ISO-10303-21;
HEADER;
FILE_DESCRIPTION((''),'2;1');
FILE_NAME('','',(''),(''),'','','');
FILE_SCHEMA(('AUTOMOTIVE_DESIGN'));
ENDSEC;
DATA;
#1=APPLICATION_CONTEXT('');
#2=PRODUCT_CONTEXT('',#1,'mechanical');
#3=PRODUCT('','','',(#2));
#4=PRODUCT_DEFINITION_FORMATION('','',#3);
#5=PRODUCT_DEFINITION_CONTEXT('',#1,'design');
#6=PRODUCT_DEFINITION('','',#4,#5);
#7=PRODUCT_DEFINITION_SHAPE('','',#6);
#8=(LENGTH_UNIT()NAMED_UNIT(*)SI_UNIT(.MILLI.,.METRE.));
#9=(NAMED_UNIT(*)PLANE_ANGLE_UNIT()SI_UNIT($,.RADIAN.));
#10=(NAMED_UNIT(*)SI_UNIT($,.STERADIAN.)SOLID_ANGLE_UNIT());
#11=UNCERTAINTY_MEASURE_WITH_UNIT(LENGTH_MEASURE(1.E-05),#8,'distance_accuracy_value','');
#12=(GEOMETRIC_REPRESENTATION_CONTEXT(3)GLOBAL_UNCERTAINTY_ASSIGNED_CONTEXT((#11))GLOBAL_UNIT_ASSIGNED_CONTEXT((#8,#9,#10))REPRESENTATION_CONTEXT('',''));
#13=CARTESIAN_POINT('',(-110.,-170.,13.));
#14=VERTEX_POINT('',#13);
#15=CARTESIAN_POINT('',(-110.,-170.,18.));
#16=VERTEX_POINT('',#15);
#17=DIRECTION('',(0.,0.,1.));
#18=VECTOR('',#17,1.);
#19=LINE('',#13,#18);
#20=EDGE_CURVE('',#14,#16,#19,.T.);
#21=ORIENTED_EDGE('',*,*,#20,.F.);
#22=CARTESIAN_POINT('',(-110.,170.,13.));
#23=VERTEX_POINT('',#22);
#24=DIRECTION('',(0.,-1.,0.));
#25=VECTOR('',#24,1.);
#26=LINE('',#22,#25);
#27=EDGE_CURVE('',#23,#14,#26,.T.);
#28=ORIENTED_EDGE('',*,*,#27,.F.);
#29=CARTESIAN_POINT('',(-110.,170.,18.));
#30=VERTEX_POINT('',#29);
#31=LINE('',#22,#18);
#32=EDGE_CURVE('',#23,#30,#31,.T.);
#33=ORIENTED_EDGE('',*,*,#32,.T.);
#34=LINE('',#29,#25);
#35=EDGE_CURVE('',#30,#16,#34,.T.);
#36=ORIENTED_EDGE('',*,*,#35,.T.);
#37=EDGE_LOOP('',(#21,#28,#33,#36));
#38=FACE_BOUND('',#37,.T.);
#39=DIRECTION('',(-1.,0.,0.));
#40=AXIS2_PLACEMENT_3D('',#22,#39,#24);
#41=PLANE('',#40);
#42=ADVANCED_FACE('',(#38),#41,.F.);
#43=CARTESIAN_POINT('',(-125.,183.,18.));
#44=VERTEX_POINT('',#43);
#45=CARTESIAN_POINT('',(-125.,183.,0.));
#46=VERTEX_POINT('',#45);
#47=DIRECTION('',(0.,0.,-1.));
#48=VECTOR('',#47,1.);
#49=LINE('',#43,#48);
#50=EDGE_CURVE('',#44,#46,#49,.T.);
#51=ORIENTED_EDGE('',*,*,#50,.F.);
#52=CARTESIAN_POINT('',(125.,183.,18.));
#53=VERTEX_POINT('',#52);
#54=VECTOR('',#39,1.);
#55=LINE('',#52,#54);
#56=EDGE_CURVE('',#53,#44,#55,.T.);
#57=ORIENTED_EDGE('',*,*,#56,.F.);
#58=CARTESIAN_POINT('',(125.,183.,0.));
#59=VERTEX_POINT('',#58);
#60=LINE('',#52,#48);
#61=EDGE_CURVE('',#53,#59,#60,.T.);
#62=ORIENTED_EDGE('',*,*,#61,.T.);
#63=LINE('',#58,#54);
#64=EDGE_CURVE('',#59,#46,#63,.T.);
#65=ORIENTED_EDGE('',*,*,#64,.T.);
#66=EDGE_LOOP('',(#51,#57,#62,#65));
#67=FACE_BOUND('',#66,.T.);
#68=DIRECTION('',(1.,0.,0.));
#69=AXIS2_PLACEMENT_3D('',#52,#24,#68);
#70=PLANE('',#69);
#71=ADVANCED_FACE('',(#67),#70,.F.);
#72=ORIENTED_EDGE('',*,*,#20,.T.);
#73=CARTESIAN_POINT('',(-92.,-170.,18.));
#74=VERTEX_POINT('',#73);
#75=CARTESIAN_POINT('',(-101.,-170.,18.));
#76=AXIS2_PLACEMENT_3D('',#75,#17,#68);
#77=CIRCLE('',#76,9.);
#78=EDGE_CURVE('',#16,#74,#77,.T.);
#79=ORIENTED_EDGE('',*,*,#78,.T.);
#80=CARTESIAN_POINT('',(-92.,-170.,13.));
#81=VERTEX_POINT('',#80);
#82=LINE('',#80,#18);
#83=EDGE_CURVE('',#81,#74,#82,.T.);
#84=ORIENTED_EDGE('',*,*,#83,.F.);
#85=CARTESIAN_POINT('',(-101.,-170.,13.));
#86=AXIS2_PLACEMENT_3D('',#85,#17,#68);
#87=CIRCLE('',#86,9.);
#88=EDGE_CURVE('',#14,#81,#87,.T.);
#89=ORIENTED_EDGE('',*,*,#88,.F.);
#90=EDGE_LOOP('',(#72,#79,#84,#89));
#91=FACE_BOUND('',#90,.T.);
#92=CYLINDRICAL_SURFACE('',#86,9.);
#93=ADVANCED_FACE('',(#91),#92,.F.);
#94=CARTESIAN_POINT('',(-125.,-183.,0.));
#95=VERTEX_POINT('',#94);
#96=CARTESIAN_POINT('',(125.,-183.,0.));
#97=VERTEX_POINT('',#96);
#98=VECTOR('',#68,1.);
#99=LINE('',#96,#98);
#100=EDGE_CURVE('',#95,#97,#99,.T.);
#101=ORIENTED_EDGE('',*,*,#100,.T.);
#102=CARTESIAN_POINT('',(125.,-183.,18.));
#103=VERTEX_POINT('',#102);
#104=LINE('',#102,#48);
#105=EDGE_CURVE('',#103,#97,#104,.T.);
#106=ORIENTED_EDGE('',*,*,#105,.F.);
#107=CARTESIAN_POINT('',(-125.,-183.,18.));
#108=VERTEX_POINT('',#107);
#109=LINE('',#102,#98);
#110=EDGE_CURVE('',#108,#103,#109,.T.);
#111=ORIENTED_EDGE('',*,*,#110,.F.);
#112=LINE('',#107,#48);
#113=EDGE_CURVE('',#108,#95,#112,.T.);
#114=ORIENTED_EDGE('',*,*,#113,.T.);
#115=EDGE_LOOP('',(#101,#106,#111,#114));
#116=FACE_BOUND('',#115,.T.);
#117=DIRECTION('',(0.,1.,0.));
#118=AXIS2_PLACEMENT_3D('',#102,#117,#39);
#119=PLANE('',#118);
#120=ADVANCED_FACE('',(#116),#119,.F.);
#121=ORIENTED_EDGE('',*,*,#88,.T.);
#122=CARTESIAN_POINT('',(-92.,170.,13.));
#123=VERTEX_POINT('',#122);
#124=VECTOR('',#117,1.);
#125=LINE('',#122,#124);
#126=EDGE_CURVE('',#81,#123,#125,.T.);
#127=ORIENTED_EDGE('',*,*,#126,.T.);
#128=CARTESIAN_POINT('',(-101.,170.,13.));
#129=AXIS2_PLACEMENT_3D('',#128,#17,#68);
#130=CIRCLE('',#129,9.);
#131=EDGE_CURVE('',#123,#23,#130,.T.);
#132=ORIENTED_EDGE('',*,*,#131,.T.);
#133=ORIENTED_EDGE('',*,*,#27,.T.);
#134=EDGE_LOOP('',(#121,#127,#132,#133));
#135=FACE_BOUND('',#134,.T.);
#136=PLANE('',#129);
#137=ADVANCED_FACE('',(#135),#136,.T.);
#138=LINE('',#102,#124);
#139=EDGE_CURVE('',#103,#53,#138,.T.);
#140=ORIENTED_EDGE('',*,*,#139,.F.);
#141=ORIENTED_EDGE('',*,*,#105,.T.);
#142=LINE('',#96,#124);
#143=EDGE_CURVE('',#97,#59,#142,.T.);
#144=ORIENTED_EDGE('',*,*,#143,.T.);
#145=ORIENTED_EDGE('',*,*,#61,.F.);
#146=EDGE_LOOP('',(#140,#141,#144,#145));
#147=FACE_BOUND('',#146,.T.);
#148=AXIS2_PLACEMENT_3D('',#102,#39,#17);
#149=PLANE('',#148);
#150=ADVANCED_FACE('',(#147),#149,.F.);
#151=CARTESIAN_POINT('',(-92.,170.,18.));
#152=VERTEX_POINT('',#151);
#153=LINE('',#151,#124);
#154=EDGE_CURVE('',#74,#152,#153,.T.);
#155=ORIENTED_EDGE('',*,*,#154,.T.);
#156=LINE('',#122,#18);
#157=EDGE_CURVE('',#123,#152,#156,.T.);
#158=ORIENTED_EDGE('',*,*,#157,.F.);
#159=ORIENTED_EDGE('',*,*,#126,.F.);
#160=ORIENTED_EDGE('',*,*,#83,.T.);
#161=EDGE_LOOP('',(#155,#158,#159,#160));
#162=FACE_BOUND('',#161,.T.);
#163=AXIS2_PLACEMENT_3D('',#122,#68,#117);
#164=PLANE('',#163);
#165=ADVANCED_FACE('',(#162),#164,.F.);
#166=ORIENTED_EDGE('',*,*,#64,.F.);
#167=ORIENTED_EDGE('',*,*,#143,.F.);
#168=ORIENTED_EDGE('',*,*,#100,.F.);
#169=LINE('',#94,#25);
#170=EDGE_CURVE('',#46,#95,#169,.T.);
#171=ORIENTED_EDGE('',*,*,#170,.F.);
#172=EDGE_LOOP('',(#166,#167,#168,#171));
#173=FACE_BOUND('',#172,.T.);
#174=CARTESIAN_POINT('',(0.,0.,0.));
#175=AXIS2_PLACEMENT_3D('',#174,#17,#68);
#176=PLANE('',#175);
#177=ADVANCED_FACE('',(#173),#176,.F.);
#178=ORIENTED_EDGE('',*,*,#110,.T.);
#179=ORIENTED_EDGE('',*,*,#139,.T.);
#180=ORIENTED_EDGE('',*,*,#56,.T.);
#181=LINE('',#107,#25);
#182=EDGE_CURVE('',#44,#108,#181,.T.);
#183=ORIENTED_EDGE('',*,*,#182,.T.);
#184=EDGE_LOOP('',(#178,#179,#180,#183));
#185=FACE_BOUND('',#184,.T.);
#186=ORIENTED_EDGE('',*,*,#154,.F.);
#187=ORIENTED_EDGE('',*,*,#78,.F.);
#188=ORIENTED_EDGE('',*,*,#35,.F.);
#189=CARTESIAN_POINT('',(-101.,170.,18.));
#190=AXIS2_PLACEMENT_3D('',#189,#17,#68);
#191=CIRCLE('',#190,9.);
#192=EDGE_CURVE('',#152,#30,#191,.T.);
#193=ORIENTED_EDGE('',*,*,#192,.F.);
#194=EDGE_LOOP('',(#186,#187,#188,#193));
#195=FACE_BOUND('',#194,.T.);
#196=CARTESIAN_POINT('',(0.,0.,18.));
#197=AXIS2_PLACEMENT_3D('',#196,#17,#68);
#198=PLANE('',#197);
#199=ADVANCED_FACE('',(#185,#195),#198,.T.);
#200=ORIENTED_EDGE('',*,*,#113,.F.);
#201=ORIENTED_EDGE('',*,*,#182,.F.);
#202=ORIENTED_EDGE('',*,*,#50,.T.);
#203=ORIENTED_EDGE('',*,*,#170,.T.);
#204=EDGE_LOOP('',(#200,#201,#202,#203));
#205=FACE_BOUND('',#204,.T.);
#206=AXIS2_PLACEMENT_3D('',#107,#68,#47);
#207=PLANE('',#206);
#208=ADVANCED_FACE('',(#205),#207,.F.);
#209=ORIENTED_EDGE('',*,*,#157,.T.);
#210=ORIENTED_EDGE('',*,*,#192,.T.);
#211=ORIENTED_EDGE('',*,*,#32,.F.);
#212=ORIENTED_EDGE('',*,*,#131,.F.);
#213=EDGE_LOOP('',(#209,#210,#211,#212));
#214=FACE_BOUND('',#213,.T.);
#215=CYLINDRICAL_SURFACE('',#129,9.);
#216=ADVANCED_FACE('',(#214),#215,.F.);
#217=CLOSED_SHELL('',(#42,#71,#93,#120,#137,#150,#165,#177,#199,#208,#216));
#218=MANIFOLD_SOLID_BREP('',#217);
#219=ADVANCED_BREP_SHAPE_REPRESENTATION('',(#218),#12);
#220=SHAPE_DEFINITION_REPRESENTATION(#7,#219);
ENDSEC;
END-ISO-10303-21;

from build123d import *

# Parameters (mm, degrees)
SKETCH_1_W          = 250
SKETCH_1_H          = 366
EXTRUDE_1_DEPTH     = 18
CUT_EXTRUDE_1_DEPTH = 5


with BuildPart() as part:
    # Эскиз1 → Бобышка-Вытянуть1 (new body)
    with BuildSketch(Plane.XY):
        Rectangle(SKETCH_1_W, SKETCH_1_H)
    extrude(amount=EXTRUDE_1_DEPTH)

    # Эскиз2 → Вырез-Вытянуть1 (cut)
    with BuildSketch(Plane.XY.offset(18)):
        with BuildLine():
            Line((-110, 170), (-110, -170))
            ThreePointArc((-110, -170), (-101, -179), (-92, -170))
            Line((-92, -170), (-92, 170))
            ThreePointArc((-92, 170), (-101, 179), (-110, 170))
        make_face()
    extrude(amount=-CUT_EXTRUDE_1_DEPTH, mode=Mode.SUBTRACT)


solid = part.part
